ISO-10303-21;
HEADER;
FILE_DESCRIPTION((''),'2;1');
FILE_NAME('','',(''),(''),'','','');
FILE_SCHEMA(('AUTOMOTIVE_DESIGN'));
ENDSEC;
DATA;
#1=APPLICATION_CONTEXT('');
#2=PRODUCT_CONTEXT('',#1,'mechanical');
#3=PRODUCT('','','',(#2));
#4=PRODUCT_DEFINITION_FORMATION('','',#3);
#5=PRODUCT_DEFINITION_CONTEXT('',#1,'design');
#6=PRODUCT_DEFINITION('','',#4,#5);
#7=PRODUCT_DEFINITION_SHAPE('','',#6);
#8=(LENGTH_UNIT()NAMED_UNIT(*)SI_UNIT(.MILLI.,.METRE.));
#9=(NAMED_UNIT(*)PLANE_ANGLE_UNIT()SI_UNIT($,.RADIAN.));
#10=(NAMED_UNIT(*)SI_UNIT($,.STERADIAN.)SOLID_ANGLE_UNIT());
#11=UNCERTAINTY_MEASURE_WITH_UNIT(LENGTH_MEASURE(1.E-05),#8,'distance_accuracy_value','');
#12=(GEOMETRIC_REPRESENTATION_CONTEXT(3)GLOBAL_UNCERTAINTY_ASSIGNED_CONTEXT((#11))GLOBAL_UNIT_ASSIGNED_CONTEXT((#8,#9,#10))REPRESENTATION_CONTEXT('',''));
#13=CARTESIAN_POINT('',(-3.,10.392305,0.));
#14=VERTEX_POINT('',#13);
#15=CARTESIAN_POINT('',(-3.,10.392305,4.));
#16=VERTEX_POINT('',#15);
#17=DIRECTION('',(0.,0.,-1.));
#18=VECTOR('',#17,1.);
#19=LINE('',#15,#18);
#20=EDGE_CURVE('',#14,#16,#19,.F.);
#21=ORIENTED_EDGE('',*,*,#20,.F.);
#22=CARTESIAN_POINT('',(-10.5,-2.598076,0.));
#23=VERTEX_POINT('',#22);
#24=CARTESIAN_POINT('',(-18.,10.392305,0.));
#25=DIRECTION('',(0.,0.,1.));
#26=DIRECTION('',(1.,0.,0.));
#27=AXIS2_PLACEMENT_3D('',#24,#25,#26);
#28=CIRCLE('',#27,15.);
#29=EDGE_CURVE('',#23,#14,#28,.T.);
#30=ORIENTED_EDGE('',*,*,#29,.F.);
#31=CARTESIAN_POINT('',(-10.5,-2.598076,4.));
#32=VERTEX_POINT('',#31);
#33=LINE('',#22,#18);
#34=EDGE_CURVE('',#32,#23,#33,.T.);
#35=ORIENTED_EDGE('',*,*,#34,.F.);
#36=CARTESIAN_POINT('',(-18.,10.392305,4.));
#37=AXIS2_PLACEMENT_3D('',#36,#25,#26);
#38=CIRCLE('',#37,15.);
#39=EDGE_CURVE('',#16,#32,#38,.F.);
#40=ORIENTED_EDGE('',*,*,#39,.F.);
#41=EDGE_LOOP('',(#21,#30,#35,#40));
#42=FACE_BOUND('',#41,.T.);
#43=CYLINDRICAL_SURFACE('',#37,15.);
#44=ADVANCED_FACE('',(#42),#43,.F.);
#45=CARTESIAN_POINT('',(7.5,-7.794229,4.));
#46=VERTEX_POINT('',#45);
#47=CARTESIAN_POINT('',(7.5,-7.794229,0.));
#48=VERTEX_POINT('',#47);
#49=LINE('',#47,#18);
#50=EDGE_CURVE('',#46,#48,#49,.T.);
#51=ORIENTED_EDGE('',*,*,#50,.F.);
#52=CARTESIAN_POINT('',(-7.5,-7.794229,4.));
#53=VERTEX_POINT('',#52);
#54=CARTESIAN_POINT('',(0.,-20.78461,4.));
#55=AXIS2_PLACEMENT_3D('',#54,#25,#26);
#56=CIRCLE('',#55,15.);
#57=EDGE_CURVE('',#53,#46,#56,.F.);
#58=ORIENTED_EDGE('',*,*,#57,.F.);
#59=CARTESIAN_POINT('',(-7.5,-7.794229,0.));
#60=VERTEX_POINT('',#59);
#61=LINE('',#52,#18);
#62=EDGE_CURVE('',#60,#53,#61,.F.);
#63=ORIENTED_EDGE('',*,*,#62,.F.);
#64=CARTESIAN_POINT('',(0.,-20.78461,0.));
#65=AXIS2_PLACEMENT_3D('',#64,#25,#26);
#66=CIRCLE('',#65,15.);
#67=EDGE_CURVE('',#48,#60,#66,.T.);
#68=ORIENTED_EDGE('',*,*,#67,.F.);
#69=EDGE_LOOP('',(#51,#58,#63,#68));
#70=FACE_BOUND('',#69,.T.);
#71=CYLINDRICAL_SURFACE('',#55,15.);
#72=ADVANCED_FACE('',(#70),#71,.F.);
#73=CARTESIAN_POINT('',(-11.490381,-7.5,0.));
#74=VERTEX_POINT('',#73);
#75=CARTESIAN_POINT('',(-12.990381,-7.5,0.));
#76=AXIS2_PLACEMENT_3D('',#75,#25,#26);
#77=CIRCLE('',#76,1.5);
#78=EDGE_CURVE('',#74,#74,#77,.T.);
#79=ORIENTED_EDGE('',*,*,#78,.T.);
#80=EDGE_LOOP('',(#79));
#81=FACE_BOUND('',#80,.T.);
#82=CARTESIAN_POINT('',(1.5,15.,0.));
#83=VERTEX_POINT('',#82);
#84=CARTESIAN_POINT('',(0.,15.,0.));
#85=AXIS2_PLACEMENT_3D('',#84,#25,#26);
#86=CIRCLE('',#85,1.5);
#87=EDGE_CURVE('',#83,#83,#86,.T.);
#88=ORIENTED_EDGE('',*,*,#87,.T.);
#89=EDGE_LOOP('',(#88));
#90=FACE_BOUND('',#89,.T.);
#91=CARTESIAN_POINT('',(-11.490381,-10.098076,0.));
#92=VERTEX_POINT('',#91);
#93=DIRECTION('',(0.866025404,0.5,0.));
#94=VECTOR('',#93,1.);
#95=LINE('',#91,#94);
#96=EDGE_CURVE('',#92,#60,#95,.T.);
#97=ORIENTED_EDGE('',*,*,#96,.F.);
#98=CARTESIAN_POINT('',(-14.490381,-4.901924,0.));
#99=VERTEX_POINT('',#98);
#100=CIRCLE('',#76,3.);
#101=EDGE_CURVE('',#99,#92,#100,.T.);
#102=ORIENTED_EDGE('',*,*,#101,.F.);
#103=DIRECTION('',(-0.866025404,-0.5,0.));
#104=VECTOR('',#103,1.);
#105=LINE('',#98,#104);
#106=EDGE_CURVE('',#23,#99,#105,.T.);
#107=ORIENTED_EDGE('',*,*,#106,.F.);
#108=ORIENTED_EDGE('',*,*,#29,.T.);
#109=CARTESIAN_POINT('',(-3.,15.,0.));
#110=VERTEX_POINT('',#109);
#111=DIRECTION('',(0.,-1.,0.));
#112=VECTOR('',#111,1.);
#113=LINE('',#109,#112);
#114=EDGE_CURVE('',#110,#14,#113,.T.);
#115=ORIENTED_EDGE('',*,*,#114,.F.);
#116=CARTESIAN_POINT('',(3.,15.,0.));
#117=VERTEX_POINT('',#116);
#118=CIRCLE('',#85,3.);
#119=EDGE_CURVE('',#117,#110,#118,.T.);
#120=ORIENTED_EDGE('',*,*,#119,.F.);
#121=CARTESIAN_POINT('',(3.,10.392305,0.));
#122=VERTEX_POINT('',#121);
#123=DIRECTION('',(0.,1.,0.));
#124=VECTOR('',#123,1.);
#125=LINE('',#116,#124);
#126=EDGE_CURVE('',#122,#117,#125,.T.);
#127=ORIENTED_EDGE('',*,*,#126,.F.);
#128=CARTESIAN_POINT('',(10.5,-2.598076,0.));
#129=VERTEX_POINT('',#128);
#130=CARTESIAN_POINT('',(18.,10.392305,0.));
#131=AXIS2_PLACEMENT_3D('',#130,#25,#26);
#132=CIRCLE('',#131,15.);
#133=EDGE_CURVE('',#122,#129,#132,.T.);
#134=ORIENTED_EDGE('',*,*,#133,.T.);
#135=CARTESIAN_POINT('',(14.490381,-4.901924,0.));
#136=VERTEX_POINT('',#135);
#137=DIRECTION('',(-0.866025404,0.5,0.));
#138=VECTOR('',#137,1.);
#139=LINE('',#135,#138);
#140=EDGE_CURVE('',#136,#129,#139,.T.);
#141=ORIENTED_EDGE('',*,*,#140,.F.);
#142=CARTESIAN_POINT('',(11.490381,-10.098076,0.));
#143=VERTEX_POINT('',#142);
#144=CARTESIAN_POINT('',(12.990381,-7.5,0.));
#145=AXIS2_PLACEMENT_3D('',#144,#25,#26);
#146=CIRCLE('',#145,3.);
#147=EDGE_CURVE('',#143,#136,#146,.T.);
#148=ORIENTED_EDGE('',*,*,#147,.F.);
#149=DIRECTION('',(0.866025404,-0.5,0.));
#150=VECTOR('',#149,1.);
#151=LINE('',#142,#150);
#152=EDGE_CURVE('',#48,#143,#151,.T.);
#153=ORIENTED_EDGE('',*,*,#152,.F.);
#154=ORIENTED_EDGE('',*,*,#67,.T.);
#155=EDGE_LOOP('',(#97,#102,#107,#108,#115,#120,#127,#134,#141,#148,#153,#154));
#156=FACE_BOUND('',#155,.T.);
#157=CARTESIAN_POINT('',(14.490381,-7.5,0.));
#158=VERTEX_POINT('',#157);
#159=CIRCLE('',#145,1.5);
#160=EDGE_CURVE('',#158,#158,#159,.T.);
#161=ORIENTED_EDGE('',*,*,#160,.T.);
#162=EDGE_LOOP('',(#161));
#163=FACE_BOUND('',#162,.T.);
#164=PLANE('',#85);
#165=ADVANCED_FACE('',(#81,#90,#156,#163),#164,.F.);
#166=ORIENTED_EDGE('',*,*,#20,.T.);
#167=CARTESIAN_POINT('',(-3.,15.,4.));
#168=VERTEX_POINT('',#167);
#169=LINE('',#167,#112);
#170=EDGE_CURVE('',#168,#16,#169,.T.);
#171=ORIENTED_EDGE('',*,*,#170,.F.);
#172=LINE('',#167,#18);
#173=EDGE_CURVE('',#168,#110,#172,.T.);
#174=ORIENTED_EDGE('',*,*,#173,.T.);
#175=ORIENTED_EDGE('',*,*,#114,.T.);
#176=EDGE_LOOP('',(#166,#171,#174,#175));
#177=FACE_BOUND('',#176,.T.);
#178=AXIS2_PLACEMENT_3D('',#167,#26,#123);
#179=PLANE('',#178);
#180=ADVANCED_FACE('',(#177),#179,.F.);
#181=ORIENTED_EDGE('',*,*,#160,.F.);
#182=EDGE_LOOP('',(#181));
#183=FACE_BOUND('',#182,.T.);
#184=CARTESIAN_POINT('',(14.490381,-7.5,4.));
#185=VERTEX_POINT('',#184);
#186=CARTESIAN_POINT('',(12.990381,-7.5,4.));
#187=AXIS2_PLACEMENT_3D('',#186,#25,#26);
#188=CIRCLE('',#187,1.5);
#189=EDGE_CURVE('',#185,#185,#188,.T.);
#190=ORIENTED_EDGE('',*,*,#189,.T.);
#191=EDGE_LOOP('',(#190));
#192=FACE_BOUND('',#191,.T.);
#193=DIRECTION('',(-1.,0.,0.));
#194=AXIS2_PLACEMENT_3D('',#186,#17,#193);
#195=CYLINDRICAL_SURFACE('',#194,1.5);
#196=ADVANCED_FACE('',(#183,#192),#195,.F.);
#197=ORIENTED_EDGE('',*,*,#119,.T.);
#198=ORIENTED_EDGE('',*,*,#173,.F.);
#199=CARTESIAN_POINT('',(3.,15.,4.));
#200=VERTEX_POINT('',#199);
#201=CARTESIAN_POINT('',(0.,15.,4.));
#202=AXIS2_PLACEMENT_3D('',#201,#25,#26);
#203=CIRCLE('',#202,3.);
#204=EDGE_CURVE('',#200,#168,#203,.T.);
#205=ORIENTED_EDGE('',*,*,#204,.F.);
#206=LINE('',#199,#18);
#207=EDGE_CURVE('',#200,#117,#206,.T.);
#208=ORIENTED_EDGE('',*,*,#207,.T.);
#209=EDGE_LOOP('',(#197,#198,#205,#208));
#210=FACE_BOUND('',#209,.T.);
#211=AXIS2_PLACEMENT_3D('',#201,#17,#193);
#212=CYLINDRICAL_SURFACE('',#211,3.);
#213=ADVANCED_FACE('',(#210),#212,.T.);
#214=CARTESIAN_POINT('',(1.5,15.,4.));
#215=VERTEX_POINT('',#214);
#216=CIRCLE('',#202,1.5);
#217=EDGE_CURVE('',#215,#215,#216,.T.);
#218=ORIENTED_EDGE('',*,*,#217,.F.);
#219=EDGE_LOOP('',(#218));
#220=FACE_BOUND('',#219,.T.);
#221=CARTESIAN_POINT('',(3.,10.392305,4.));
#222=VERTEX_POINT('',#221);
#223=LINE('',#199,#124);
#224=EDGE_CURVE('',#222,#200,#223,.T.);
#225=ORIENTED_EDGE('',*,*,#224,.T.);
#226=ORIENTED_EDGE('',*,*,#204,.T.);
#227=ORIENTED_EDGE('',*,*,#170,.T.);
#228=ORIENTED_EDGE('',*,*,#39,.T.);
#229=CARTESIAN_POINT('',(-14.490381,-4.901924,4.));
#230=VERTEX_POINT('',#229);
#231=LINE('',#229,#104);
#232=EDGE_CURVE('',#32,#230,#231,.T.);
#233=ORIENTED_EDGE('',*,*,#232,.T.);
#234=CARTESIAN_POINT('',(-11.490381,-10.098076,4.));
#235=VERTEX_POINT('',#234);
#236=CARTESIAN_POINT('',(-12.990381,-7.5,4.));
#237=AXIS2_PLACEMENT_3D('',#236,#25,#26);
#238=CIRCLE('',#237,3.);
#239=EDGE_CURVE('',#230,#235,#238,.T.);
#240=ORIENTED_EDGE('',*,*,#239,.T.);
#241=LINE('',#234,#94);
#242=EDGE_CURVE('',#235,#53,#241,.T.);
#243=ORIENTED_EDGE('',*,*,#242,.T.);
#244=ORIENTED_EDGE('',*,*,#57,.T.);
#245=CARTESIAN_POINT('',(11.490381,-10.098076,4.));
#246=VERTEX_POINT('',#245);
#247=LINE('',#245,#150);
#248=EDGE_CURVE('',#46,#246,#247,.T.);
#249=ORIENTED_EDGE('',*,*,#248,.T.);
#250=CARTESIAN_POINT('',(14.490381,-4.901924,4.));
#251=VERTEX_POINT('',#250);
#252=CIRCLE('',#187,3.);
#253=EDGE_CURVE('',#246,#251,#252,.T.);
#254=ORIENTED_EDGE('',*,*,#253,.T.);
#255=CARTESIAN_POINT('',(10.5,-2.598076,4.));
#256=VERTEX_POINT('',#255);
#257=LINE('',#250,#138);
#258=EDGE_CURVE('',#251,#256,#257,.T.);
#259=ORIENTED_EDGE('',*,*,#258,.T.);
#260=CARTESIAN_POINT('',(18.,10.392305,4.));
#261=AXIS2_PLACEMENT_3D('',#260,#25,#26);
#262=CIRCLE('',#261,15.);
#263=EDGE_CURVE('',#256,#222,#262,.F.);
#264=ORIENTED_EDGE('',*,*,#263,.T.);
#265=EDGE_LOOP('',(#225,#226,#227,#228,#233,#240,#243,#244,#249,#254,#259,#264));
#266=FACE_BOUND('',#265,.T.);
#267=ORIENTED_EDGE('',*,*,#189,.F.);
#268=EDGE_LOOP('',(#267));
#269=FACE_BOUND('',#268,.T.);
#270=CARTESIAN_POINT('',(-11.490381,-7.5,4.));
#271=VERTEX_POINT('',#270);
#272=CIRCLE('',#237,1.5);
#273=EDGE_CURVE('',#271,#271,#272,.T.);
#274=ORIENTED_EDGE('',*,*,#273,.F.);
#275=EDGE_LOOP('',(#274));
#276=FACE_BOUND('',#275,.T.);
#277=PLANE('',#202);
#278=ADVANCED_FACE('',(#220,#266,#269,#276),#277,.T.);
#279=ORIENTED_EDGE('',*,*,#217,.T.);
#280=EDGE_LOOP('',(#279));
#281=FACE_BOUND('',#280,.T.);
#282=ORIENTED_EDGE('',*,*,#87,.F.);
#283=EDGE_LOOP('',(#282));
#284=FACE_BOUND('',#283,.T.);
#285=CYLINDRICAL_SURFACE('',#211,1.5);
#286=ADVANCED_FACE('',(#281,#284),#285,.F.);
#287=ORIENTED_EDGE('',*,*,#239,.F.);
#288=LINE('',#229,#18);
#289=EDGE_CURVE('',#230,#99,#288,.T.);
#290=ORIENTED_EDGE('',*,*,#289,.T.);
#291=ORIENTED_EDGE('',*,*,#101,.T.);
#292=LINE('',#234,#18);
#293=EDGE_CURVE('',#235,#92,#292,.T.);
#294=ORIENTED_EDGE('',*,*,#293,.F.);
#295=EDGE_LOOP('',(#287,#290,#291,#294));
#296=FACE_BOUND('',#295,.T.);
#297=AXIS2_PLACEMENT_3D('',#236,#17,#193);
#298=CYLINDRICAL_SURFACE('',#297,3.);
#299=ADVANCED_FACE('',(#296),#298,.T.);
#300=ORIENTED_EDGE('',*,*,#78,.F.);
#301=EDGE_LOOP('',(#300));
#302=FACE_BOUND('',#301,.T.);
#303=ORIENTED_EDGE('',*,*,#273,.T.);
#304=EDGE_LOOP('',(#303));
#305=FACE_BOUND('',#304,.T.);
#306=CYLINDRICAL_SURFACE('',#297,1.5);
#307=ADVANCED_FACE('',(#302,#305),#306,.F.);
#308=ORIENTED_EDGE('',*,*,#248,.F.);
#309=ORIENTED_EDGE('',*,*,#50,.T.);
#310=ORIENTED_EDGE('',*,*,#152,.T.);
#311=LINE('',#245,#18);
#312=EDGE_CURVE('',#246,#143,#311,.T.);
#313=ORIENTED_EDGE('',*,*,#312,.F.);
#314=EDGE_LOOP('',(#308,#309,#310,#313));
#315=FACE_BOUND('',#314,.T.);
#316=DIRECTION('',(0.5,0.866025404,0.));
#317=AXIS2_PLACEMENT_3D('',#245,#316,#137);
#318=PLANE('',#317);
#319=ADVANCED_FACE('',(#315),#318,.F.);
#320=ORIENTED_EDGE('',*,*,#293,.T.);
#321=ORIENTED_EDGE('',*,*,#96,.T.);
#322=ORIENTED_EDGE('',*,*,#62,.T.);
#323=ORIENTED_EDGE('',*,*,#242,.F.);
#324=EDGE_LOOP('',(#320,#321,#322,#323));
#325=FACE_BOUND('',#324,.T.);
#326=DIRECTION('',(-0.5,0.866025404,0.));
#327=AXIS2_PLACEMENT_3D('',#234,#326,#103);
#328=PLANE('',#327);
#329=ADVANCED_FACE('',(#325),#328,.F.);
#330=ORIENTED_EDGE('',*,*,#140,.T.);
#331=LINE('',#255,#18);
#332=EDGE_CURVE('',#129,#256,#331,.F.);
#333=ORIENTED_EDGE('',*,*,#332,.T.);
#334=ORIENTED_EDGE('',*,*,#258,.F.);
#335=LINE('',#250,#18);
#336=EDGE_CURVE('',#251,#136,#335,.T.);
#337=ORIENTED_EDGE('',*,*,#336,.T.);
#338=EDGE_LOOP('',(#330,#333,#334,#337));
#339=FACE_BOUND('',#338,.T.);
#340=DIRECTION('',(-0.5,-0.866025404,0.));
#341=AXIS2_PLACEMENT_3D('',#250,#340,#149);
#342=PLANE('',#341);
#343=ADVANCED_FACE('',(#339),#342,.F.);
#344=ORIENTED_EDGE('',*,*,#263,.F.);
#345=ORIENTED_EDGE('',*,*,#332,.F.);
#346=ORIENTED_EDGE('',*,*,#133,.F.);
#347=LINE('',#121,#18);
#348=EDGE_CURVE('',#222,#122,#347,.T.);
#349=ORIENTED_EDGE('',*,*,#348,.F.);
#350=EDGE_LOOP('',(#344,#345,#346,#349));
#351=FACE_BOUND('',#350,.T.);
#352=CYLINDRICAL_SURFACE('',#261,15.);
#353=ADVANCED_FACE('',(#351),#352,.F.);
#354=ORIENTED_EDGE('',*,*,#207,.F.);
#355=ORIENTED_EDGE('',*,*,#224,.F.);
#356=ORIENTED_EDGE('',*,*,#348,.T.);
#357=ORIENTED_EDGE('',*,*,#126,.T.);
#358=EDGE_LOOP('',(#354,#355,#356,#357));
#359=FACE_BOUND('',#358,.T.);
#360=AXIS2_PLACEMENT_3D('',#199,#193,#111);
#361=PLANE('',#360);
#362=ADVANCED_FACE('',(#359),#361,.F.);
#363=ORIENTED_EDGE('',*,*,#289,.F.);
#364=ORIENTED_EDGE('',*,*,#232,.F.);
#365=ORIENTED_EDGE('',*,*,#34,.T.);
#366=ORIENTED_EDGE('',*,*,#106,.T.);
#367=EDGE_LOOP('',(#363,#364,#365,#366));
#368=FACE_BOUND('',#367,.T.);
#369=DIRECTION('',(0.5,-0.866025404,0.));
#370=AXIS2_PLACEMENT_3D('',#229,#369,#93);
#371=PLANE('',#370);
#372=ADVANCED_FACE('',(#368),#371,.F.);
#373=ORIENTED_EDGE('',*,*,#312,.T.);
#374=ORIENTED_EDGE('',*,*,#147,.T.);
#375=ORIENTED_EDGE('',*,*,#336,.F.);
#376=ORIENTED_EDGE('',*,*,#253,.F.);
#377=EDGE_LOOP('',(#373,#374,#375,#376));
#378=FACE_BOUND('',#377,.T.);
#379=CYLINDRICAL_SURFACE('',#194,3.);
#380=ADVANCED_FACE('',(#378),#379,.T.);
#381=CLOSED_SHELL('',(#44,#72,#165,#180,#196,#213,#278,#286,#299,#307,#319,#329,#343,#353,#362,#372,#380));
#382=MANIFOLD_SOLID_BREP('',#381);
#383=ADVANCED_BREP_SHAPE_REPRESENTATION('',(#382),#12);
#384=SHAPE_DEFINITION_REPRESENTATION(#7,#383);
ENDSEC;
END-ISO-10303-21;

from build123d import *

# Parameters (mm, degrees)
SKETCH_1_R      = 1.5
EXTRUDE_1_DEPTH = 4
FILLET_1_R      = 15


with BuildPart() as part:
    # 草图1 → 凸台-拉伸1 (new body)
    with BuildSketch(Plane.XY):
        with BuildLine():
            Line((-3, 15), (-3, 1.732050808))
            Line((-3, 1.732050808), (-14.490381057, -4.901923789))
            ThreePointArc((-14.490381057, -4.901923789), (-15.588457268, -9), (-11.490381057, -10.098076211))
            Line((-11.490381057, -10.098076211), (0, -3.464101615))
            Line((0, -3.464101615), (11.490381057, -10.098076211))
            ThreePointArc((11.490381057, -10.098076211), (15.588457268, -9), (14.490381057, -4.901923789))
            Line((14.490381057, -4.901923789), (3, 1.732050808))
            Line((3, 1.732050808), (3, 15))
            ThreePointArc((3, 15), (0, 18), (-3, 15))
        make_face()
        with Locations((0, 15)):
            Circle(SKETCH_1_R, mode=Mode.SUBTRACT)
        with Locations((12.990381057, -7.5)):
            Circle(SKETCH_1_R, mode=Mode.SUBTRACT)
        with Locations((-12.990381057, -7.5)):
            Circle(SKETCH_1_R, mode=Mode.SUBTRACT)
    extrude(amount=EXTRUDE_1_DEPTH)

    # 圆角1
    fillet_1_edges = [part.edges().sort_by_distance(p)[0] for p in [
        (-3, 1.732050808, 2),
        (3, 1.732050808, 2),
        (0, -3.464101615, 2),
    ]]
    fillet(fillet_1_edges, radius=FILLET_1_R)


solid = part.part
